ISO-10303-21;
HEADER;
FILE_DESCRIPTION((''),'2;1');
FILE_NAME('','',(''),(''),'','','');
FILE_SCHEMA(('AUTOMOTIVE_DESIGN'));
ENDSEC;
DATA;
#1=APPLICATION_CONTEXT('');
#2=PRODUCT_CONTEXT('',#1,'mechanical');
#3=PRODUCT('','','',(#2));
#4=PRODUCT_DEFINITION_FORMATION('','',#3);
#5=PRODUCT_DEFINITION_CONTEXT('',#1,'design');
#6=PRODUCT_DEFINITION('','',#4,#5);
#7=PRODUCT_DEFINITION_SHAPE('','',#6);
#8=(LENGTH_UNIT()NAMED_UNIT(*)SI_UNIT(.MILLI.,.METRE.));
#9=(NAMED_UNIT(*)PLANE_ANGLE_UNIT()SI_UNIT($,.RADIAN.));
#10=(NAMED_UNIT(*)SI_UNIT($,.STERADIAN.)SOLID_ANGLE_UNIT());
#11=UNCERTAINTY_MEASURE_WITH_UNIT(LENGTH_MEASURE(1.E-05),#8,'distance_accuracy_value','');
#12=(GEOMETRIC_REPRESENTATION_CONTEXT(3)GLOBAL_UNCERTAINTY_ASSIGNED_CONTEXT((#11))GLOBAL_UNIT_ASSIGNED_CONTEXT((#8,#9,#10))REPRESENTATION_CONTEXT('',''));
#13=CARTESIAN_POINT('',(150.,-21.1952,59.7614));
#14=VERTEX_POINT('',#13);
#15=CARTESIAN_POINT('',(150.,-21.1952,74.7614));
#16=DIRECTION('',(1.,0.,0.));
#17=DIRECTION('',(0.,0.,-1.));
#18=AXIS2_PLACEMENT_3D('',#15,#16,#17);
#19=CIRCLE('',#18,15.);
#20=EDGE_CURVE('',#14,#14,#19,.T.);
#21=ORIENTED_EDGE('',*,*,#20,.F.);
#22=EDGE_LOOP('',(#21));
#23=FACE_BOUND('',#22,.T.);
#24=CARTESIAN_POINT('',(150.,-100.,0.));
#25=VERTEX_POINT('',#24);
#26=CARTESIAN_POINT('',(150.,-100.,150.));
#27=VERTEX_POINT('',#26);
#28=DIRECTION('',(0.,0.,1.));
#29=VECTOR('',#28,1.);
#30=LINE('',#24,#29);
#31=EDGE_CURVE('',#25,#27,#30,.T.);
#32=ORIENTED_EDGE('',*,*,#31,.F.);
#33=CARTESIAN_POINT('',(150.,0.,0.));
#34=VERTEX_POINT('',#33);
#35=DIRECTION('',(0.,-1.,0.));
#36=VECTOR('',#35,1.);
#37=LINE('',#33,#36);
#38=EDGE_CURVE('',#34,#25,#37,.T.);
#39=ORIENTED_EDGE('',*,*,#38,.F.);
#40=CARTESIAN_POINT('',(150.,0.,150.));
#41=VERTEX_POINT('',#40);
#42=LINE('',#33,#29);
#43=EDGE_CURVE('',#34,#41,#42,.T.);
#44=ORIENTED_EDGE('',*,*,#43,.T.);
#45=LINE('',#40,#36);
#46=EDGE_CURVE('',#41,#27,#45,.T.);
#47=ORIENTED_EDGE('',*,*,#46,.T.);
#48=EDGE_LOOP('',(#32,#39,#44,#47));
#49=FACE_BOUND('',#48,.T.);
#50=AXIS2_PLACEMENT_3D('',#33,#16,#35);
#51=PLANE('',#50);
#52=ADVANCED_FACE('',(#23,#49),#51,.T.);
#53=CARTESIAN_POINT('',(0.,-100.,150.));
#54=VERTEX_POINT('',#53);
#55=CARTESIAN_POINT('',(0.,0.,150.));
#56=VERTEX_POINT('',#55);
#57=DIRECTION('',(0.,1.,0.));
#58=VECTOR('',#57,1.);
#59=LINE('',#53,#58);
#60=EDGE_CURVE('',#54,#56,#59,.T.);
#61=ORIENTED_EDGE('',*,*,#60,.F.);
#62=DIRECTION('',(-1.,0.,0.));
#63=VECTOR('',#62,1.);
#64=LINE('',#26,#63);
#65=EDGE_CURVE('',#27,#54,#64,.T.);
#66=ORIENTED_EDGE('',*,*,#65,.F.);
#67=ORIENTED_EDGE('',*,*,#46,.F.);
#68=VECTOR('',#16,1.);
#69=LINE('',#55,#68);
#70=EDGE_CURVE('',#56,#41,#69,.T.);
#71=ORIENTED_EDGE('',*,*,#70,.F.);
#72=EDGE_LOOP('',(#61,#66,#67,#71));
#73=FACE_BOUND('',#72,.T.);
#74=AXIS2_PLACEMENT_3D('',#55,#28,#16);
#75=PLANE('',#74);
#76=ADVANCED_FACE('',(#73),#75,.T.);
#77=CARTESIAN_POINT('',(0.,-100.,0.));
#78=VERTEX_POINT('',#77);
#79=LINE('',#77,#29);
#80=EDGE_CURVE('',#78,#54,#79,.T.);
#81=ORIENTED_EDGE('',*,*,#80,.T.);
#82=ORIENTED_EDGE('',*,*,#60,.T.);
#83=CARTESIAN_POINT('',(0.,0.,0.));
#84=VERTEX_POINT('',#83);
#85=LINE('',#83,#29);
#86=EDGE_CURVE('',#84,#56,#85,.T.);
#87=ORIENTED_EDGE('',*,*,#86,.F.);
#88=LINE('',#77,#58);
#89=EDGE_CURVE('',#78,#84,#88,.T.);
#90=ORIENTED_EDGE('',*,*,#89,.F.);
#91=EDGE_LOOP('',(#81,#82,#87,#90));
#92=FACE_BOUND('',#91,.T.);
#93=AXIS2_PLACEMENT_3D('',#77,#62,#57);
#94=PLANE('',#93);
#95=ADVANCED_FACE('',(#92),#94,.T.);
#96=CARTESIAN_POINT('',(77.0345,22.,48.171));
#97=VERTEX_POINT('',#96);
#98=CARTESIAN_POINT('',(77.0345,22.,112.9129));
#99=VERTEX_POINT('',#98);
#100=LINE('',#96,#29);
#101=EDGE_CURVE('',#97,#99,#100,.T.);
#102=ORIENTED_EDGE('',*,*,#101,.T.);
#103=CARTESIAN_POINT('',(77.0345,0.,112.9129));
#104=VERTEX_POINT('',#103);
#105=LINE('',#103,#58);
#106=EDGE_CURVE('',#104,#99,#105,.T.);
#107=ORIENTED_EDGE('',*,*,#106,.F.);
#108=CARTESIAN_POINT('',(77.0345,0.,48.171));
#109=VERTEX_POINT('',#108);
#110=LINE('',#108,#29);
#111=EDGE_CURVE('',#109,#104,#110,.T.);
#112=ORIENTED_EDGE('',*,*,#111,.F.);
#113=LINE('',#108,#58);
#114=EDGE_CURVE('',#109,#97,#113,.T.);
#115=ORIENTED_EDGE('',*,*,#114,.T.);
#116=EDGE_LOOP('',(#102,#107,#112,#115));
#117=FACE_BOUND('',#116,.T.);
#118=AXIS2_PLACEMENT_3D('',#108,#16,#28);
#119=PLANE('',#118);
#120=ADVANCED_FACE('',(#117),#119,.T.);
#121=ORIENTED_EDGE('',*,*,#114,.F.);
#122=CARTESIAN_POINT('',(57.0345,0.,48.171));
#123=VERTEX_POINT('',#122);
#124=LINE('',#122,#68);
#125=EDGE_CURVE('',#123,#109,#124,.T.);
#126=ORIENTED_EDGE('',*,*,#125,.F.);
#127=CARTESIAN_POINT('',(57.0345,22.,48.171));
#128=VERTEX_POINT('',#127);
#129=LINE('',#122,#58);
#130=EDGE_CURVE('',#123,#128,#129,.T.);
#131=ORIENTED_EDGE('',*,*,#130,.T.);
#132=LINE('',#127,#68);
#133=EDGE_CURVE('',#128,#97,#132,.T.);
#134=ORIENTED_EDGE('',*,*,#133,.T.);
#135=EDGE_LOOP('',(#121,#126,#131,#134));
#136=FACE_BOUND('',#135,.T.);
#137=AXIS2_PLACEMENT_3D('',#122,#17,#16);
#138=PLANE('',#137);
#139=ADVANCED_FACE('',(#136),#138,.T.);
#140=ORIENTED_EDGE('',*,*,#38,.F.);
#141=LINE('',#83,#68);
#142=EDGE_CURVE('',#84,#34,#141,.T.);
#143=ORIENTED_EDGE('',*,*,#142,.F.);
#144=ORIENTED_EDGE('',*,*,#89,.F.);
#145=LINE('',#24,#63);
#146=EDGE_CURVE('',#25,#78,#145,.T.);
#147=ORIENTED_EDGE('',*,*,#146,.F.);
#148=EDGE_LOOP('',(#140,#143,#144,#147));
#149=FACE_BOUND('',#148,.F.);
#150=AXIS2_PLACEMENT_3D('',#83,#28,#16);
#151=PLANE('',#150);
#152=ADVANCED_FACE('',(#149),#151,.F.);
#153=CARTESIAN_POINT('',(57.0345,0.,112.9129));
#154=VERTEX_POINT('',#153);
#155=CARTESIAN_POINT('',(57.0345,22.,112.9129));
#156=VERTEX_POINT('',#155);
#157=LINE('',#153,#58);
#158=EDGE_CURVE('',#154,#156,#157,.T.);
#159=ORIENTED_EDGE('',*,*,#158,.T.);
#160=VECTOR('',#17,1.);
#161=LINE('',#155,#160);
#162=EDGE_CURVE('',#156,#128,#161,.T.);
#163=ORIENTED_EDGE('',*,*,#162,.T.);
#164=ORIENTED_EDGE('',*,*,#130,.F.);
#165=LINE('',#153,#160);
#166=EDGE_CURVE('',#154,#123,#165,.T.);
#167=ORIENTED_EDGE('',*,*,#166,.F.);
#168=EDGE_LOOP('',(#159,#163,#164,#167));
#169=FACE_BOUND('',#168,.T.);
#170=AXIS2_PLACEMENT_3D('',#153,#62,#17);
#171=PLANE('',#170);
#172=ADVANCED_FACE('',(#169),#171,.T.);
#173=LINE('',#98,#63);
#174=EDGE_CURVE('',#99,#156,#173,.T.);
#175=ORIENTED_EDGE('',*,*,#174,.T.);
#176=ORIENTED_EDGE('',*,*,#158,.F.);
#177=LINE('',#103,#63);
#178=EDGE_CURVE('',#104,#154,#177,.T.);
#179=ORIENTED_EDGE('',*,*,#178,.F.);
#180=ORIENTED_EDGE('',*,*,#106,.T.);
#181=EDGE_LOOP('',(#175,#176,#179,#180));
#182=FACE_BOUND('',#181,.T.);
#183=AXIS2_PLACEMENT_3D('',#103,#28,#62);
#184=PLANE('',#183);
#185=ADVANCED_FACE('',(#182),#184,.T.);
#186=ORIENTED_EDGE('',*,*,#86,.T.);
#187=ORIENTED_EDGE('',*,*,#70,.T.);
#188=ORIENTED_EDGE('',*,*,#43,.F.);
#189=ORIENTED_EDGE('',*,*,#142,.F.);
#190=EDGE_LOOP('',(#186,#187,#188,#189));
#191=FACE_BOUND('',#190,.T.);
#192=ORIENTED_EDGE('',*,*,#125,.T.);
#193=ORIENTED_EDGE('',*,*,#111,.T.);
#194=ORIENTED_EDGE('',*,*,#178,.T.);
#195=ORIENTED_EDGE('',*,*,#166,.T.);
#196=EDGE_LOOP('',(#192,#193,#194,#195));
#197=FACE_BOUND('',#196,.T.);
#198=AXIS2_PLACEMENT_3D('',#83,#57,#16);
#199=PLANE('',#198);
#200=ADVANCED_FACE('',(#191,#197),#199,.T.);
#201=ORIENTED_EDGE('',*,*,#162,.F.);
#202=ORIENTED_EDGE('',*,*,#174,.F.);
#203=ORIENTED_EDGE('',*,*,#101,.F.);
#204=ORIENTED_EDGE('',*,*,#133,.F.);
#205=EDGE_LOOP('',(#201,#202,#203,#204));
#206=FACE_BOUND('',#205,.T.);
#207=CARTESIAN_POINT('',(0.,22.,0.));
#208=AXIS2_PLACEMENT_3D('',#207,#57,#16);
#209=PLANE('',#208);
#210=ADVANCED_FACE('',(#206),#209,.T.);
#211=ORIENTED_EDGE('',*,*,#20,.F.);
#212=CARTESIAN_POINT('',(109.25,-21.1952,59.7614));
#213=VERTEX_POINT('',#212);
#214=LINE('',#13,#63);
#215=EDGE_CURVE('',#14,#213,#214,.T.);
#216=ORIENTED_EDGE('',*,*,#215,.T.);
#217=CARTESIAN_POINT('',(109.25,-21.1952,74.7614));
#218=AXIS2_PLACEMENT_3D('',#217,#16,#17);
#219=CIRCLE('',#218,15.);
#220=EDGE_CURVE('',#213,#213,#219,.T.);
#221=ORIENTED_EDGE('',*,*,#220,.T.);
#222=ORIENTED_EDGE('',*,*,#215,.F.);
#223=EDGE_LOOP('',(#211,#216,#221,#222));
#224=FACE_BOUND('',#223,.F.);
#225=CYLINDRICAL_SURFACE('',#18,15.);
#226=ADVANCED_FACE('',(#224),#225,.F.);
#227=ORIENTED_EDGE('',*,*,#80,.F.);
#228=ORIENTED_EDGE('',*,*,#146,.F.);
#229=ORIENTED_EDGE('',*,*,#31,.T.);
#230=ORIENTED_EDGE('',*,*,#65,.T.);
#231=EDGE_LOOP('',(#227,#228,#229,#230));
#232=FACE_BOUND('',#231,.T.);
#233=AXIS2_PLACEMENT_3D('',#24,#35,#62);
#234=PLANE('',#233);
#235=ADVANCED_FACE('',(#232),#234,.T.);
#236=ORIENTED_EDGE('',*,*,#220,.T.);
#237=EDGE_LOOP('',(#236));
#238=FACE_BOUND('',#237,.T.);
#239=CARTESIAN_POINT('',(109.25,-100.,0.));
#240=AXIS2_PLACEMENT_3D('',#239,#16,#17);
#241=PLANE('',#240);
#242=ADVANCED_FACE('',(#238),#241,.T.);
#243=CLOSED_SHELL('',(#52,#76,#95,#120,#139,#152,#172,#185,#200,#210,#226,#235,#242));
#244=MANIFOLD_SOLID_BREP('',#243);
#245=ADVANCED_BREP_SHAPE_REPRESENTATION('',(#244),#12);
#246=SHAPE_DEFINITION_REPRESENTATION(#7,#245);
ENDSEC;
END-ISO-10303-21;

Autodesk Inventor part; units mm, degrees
ref_plane "YZ Plane" through (0, 0, 0) normal (1, 0, 0) x (0, 1, 0)
ref_plane "XZ Plane" through (0, 0, 0) normal (0, 1, 0) x (-1, 0, 0)
ref_plane "XY Plane" through (0, 0, 0) normal (0, 0, 1) x (1, 0, 0)
sketch "Sketch1" plane through (0, 0, 0) normal (0, 1, 0) x (-1, 0, 0)
  point P0 (0, 0)
sketch "Sketch2" plane through (0, 0, 0) normal (0, 0, 1) x (1, 0, 0)
  line L0 (0, 0) -> (150, 0)
  line L1 (150, 0) -> (150, -100)
  line L2 (150, -100) -> (0, -100)
  line L3 (0, -100) -> (0, 0)
extrude "Extrusion1" add sketch "Sketch2" along normal blind 150
sketch "Sketch3" plane through (150, -100, 0) normal (1, 0, 0) x (0, 0, -1)
  circle A0 centre (-74.7614, 78.8048) radius 15
  point P0 (0, 100)
  dimension "d4" = 30
extrude "Extrusion2" cut sketch "Sketch3" against normal blind 40.75
sketch "Sketch4" plane through (0, 0, 0) normal (0, 1, 0) x (1, 0, 0)
  line L0 (57.0345, -48.171) -> (77.0345, -48.171)
  line L1 (77.0345, -48.171) -> (77.0345, -112.9129)
  line L2 (77.0345, -112.9129) -> (57.0345, -112.9129)
  line L3 (57.0345, -112.9129) -> (57.0345, -48.171)
  point P0 (0, 0)
extrude "Extrusion3" add sketch "Sketch4" along normal blind 22
properties part number "water tank 1" material "PVC, Unplasticized"
